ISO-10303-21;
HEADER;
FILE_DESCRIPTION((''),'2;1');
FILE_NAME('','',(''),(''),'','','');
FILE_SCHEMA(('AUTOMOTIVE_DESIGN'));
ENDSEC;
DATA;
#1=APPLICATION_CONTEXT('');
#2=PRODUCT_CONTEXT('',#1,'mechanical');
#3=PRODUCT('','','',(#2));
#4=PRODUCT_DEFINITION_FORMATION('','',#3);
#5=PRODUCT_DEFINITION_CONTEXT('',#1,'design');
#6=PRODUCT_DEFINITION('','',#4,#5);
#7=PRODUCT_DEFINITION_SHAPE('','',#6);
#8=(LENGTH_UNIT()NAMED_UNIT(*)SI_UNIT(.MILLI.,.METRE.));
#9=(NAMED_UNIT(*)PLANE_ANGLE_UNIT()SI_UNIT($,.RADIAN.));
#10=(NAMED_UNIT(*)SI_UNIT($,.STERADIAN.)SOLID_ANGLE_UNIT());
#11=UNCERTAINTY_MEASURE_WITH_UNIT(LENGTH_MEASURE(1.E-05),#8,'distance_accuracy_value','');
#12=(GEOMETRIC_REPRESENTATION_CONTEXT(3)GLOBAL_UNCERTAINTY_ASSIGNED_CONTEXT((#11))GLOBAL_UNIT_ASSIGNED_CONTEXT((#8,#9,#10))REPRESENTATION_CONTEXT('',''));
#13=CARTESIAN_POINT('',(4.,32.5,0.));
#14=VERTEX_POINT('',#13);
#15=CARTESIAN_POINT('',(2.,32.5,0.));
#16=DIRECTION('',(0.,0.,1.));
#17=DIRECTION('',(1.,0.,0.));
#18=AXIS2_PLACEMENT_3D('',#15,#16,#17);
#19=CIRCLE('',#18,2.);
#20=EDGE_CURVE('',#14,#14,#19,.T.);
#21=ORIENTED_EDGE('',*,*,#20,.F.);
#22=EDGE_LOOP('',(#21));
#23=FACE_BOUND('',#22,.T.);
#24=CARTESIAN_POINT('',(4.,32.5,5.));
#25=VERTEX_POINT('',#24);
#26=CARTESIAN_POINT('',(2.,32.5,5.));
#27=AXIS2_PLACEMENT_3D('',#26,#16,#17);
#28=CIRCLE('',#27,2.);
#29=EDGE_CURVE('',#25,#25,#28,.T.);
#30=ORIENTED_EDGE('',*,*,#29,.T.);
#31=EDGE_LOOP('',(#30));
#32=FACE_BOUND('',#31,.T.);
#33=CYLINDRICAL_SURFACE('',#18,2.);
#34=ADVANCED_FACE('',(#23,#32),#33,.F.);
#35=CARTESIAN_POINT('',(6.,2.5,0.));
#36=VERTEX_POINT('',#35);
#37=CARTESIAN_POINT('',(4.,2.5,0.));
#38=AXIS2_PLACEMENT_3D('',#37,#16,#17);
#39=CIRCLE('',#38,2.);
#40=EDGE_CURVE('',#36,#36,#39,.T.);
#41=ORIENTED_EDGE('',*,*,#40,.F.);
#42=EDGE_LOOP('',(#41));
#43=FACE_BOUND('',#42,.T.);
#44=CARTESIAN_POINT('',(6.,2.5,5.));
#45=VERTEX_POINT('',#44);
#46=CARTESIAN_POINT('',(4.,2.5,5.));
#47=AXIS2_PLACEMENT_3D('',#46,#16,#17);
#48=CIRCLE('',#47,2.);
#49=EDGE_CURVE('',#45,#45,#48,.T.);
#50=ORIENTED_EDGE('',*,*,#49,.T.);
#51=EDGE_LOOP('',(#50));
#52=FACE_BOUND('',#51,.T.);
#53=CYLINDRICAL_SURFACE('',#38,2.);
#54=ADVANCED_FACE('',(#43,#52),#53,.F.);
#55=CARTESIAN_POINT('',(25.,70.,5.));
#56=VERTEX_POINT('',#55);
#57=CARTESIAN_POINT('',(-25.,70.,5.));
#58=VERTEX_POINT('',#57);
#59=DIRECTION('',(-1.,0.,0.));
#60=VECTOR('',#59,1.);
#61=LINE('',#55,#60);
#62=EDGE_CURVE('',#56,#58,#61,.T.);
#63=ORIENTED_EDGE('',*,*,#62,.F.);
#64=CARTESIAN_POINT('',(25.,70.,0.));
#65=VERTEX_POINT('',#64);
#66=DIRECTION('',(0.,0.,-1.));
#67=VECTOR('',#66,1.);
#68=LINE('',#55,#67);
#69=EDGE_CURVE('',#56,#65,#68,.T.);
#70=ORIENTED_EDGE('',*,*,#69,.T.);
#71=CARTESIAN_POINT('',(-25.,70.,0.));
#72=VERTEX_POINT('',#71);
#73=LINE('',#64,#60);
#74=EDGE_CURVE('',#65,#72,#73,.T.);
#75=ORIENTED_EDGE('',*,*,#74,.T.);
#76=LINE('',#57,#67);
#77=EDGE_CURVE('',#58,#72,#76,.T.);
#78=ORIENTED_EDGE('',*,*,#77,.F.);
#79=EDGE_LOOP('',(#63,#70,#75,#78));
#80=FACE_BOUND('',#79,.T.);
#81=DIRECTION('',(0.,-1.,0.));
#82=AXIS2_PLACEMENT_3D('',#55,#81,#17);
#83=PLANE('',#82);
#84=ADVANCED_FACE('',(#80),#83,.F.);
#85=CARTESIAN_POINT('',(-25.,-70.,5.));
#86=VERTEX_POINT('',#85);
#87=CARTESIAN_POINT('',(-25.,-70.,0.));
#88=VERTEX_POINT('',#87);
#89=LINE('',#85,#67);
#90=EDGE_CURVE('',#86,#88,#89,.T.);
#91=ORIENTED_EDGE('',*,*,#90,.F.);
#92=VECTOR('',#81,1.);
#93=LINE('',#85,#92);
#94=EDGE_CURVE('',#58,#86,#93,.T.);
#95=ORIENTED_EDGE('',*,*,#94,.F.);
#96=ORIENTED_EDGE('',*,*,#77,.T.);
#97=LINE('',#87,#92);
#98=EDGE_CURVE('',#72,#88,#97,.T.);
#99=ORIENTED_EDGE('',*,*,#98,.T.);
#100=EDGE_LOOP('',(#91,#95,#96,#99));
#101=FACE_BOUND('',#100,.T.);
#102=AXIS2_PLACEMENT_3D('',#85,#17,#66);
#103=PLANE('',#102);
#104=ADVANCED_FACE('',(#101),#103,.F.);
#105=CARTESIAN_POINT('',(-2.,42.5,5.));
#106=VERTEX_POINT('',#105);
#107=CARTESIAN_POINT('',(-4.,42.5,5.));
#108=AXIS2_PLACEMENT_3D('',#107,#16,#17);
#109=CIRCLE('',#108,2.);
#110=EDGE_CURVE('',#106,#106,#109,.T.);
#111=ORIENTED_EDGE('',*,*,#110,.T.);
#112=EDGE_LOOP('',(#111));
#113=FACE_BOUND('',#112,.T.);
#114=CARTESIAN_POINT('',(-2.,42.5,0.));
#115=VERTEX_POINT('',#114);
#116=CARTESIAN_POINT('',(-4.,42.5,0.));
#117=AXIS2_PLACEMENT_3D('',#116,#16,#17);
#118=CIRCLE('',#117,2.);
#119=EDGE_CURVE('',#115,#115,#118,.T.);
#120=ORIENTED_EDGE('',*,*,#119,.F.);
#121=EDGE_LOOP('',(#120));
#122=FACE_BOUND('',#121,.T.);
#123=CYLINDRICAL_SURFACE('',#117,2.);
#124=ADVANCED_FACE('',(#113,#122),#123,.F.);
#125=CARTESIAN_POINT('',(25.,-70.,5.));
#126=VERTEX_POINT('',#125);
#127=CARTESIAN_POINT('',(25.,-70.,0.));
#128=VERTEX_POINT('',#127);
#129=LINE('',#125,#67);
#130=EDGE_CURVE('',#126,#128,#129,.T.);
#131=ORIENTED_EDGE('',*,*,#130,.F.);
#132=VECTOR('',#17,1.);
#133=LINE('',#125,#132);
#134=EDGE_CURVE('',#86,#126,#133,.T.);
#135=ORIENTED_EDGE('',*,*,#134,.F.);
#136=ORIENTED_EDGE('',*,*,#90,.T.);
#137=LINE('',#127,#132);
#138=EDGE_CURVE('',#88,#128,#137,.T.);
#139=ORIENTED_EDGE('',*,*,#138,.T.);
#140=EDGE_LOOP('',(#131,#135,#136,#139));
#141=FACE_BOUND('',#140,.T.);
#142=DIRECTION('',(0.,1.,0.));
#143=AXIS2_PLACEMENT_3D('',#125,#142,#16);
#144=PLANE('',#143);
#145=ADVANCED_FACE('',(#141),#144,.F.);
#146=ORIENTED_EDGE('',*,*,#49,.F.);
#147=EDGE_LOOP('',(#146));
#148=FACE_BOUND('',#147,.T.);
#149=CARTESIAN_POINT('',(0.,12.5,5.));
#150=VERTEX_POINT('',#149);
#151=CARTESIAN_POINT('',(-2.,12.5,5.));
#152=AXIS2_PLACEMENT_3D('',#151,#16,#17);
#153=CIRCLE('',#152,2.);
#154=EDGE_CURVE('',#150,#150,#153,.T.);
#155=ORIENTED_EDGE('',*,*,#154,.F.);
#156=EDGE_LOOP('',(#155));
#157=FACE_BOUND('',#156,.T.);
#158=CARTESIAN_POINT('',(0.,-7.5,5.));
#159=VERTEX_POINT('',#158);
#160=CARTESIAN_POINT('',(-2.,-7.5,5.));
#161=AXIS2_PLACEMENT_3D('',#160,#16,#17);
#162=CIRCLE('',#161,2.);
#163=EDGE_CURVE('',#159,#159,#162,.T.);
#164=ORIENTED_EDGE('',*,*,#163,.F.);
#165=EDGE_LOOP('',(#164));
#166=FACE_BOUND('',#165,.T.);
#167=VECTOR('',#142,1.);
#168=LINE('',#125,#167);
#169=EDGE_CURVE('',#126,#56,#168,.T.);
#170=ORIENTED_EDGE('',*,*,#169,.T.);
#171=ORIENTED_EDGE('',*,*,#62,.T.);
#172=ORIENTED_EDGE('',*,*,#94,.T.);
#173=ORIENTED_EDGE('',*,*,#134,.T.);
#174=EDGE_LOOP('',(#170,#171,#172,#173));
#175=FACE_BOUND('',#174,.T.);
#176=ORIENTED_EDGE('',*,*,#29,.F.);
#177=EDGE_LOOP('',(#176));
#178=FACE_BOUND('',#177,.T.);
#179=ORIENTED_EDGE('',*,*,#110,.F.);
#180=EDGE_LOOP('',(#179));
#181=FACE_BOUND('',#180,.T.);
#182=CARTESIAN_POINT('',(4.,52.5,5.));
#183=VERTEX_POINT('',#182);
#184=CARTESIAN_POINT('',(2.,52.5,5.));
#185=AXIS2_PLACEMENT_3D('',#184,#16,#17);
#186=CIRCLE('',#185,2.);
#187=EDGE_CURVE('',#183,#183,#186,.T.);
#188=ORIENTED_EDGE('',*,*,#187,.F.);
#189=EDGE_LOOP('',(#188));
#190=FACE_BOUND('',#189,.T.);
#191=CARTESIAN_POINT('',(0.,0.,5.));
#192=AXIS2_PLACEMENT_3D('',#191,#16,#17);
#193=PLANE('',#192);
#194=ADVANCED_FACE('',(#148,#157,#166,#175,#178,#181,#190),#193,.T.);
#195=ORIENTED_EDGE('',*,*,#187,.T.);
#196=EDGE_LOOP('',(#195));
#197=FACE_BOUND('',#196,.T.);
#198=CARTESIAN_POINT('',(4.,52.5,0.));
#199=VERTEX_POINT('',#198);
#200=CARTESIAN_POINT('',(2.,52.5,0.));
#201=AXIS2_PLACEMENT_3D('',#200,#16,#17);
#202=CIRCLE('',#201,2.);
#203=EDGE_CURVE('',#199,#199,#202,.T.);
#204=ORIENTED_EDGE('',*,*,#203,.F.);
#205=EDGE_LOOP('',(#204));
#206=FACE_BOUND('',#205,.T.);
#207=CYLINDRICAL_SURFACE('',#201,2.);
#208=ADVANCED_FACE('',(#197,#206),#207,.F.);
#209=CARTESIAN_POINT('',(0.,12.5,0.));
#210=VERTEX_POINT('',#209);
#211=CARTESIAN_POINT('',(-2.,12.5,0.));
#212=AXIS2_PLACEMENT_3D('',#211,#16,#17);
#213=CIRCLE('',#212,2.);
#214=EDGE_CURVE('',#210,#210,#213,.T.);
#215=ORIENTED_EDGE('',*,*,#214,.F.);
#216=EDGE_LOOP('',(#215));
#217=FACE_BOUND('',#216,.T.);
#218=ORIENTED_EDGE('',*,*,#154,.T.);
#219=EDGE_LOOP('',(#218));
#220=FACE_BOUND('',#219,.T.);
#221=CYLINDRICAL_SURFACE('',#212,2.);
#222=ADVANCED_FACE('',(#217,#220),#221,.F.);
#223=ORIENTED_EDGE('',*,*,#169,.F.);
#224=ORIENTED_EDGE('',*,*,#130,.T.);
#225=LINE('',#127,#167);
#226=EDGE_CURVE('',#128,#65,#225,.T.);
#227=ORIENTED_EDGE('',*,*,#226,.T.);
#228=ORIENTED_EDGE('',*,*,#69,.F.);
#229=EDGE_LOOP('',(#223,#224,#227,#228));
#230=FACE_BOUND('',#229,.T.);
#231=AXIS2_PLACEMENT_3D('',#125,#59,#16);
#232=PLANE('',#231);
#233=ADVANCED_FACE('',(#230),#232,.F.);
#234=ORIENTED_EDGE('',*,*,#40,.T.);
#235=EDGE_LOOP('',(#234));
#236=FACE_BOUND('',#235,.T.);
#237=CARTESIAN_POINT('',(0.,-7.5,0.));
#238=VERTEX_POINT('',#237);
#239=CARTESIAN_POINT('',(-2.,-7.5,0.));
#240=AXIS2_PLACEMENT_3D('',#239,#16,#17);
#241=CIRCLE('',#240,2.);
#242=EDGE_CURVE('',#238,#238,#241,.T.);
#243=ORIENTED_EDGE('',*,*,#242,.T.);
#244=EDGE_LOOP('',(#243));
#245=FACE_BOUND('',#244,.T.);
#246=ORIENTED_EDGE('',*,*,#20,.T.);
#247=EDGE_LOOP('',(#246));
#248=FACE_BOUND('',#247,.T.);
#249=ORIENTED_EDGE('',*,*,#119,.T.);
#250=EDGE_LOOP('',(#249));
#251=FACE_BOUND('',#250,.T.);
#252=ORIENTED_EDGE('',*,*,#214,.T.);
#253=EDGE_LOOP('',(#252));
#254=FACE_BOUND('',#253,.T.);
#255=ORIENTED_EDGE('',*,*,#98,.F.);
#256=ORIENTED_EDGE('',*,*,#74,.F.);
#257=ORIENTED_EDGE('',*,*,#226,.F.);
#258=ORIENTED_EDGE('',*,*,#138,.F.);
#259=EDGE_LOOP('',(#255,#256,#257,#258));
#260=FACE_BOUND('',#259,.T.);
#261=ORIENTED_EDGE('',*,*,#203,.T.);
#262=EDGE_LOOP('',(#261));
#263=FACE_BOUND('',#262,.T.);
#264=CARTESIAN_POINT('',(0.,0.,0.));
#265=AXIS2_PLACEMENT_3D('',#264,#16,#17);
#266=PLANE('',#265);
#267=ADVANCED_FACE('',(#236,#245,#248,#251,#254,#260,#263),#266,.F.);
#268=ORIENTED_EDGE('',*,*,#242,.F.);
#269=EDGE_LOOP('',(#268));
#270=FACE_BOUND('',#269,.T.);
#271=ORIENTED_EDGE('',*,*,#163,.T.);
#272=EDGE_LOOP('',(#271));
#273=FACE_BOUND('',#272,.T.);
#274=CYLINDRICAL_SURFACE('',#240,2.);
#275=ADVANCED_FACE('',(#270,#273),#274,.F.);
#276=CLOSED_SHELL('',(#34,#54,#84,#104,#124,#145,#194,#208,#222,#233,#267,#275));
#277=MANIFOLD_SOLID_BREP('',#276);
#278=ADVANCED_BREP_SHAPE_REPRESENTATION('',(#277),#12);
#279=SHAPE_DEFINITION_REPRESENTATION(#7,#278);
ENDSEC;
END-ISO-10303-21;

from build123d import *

# Parameters (mm, degrees)
SKETCH_1_W          = 50
SKETCH_1_H          = 140
EXTRUDE_1_DEPTH     = 5
SKETCH_2_R          = 2
CUT_EXTRUDE_1_DEPTH = 5


with BuildPart() as part:
    # 草图1 → 凸台-拉伸1 (new body)
    with BuildSketch(Plane.XY):
        Rectangle(SKETCH_1_W, SKETCH_1_H)
    extrude(amount=EXTRUDE_1_DEPTH)

    # 草图2 → 切除-拉伸1 (cut)
    with BuildSketch(Plane.XY.offset(5)):
        with Locations((-2, 12.5)):
            Circle(SKETCH_2_R)
        with Locations((-2, -7.5)):
            Circle(SKETCH_2_R)
        with Locations((4, 2.5)):
            Circle(SKETCH_2_R)
        with Locations((2, 52.5)):
            Circle(SKETCH_2_R)
        with Locations((2, 32.5)):
            Circle(SKETCH_2_R)
        with Locations((-4, 42.5)):
            Circle(SKETCH_2_R)
    extrude(amount=-CUT_EXTRUDE_1_DEPTH, mode=Mode.SUBTRACT)


solid = part.part
